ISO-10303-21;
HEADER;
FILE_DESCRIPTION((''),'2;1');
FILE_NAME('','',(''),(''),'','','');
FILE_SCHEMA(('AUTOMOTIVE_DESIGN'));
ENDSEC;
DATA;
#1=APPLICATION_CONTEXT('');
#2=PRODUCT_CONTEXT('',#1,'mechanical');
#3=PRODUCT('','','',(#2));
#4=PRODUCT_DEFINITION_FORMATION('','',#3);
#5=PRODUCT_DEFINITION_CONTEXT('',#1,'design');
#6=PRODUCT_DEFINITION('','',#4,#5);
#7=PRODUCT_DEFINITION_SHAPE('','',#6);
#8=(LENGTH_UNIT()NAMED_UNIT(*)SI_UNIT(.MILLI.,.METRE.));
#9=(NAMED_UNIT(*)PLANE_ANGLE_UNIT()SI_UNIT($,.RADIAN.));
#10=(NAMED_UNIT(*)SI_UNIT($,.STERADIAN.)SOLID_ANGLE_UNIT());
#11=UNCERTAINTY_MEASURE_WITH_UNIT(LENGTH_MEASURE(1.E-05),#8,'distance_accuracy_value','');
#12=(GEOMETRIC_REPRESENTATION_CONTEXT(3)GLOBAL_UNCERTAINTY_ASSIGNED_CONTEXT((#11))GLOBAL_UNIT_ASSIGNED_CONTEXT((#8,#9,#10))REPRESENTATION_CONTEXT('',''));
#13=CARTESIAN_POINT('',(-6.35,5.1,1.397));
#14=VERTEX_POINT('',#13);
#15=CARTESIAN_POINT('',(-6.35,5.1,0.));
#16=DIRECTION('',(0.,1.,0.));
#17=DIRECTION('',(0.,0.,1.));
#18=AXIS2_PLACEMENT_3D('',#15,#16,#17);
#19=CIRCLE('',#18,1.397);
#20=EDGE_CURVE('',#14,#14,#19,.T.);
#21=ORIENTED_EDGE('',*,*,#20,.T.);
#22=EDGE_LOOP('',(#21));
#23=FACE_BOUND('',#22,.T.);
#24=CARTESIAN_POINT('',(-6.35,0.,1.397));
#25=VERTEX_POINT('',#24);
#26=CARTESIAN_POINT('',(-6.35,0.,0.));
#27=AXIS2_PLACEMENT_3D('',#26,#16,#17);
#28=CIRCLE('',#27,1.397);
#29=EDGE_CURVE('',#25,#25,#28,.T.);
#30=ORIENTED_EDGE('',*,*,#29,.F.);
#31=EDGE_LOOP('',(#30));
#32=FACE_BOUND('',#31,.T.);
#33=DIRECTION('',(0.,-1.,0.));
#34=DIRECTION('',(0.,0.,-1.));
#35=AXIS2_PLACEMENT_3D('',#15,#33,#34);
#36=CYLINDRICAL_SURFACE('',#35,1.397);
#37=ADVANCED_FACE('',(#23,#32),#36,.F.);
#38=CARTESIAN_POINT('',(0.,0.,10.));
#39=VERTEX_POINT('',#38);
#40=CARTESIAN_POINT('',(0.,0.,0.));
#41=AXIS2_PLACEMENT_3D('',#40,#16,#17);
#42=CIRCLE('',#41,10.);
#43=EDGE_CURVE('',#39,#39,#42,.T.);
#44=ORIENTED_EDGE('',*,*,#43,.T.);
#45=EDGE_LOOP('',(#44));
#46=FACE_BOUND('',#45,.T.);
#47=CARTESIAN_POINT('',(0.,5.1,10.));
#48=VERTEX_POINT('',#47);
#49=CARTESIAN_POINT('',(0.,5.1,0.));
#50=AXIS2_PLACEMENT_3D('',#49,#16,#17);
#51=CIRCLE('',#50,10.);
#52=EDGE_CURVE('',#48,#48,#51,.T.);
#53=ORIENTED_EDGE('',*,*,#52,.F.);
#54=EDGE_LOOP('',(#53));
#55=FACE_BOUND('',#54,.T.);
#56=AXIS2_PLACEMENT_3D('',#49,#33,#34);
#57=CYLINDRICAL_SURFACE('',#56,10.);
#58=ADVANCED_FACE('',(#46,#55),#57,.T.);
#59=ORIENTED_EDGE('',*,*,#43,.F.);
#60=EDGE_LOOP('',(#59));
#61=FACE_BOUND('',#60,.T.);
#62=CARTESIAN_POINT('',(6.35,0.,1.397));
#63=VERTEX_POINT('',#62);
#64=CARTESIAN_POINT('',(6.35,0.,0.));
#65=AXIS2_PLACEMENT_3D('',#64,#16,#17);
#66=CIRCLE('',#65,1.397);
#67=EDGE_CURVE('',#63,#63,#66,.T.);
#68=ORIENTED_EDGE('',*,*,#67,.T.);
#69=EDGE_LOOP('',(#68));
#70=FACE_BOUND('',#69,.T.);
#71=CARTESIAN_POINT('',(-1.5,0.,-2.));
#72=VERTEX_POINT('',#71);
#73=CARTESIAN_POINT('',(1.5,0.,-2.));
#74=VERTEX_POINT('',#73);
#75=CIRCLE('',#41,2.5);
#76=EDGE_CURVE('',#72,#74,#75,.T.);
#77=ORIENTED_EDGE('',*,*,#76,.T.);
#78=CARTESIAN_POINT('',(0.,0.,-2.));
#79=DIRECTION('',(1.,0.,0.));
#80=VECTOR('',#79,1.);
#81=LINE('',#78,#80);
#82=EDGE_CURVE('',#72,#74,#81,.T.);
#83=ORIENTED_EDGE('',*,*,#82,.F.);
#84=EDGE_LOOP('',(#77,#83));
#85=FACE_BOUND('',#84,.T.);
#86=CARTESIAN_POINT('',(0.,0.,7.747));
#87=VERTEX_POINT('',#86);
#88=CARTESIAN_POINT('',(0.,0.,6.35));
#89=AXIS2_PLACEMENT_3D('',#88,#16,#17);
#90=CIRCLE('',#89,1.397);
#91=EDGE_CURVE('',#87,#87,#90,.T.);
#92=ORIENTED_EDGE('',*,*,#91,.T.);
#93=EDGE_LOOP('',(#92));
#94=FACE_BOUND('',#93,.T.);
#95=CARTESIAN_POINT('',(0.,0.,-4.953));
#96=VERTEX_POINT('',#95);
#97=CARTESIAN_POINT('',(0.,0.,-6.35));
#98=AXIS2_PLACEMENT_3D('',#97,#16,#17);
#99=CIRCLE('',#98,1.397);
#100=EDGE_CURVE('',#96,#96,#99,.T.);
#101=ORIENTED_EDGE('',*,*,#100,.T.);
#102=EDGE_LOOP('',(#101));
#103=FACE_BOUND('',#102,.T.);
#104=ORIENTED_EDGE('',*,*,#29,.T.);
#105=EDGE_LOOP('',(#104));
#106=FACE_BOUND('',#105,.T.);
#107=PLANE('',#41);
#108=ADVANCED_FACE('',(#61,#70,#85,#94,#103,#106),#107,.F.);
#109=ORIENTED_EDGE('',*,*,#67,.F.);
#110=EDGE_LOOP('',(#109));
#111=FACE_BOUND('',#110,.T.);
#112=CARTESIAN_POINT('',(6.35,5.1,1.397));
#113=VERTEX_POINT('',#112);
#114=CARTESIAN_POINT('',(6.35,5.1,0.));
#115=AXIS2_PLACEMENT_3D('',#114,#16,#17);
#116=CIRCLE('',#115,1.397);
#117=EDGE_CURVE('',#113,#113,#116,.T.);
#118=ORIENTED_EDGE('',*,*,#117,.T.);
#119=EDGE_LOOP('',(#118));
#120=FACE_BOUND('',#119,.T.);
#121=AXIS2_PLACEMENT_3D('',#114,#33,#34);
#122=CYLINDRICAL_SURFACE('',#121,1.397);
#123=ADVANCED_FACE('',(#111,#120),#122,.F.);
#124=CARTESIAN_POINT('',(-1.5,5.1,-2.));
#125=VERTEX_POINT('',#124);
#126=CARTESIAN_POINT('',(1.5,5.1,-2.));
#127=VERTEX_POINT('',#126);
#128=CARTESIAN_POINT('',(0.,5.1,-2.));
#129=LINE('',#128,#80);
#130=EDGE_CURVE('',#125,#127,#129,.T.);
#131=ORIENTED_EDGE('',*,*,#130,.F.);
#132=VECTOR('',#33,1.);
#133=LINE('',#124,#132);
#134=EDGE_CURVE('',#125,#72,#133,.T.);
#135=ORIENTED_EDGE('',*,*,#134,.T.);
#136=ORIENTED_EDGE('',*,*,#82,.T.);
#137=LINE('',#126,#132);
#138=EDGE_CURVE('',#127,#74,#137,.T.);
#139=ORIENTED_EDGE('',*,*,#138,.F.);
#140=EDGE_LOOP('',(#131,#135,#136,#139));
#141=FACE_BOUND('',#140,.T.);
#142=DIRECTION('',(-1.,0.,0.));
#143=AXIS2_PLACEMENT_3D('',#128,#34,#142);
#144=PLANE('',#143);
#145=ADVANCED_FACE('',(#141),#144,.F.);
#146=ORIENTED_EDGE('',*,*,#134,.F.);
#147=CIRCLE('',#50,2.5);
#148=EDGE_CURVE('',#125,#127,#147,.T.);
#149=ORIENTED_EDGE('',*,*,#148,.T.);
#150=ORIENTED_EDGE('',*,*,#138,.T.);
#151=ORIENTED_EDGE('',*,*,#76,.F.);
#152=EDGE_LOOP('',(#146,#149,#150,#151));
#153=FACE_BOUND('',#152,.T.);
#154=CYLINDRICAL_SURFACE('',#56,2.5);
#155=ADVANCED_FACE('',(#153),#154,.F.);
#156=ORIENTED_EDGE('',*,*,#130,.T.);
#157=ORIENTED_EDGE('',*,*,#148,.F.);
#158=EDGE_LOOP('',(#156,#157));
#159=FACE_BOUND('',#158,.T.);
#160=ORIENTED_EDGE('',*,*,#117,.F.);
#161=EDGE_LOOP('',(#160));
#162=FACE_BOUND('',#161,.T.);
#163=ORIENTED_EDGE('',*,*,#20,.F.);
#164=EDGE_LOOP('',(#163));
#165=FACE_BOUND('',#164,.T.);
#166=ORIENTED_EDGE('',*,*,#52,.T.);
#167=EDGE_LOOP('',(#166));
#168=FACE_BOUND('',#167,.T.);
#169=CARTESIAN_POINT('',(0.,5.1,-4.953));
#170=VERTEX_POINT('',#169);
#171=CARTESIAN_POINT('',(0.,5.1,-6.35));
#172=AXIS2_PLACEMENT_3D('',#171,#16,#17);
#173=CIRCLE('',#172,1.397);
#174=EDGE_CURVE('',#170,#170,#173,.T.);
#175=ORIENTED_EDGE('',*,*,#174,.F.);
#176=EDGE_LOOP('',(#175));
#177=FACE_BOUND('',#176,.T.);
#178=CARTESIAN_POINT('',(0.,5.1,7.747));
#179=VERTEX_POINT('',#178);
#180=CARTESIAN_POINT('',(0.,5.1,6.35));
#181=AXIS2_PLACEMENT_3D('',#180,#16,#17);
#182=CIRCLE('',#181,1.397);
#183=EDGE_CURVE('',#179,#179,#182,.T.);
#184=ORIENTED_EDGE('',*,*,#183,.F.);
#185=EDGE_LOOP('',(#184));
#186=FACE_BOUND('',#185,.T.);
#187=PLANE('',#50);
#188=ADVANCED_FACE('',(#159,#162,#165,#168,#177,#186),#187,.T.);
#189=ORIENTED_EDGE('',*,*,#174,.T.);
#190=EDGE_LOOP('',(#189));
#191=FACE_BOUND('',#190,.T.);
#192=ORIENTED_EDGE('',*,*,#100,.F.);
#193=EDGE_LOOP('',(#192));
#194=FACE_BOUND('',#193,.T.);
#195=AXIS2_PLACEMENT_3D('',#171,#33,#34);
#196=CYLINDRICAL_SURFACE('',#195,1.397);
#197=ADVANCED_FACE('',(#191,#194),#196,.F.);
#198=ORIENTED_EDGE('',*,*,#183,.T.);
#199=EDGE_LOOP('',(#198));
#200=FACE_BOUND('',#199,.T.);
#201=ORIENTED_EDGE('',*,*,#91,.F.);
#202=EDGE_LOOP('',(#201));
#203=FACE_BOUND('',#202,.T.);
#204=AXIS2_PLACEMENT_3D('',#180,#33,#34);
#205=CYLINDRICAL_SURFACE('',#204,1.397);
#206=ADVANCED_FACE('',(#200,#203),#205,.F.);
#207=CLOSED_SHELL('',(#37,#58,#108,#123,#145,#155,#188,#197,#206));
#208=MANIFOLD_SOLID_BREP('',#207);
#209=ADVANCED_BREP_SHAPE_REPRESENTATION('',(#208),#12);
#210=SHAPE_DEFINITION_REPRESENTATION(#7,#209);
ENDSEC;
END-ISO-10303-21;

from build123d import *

# Parameters (mm, degrees)
SKETCH1_R           = 10
SKETCH1_R_2         = 1.397
BOSS_EXTRUDE2_DEPTH = 5.1


with BuildPart() as part:
    # Sketch1 → Boss-Extrude2 (new body)
    with BuildSketch(Plane(origin=(0, 0, 0), x_dir=(1, 0, 0), z_dir=(0, 1, 0))):
        with Locations(Location((0, 0, 0), (0, 0, 270))):
            Circle(SKETCH1_R)
        with BuildLine():
            Line((-1.5, 2), (1.5, 2))
            ThreePointArc((1.5, 2), (0, -2.5), (-1.5, 2))
        make_face(mode=Mode.SUBTRACT)
        with Locations(Location((-6.35, 0, 0), (0, 0, 270))):
            Circle(SKETCH1_R_2, mode=Mode.SUBTRACT)
        with Locations(Location((0, -6.35, 0), (0, 0, 270))):
            Circle(SKETCH1_R_2, mode=Mode.SUBTRACT)
        with Locations(Location((0, 6.35, 0), (0, 0, 270))):
            Circle(SKETCH1_R_2, mode=Mode.SUBTRACT)
        with Locations(Location((6.35, 0, 0), (0, 0, 270))):
            Circle(SKETCH1_R_2, mode=Mode.SUBTRACT)
    extrude(amount=BOSS_EXTRUDE2_DEPTH)


solid = part.part
